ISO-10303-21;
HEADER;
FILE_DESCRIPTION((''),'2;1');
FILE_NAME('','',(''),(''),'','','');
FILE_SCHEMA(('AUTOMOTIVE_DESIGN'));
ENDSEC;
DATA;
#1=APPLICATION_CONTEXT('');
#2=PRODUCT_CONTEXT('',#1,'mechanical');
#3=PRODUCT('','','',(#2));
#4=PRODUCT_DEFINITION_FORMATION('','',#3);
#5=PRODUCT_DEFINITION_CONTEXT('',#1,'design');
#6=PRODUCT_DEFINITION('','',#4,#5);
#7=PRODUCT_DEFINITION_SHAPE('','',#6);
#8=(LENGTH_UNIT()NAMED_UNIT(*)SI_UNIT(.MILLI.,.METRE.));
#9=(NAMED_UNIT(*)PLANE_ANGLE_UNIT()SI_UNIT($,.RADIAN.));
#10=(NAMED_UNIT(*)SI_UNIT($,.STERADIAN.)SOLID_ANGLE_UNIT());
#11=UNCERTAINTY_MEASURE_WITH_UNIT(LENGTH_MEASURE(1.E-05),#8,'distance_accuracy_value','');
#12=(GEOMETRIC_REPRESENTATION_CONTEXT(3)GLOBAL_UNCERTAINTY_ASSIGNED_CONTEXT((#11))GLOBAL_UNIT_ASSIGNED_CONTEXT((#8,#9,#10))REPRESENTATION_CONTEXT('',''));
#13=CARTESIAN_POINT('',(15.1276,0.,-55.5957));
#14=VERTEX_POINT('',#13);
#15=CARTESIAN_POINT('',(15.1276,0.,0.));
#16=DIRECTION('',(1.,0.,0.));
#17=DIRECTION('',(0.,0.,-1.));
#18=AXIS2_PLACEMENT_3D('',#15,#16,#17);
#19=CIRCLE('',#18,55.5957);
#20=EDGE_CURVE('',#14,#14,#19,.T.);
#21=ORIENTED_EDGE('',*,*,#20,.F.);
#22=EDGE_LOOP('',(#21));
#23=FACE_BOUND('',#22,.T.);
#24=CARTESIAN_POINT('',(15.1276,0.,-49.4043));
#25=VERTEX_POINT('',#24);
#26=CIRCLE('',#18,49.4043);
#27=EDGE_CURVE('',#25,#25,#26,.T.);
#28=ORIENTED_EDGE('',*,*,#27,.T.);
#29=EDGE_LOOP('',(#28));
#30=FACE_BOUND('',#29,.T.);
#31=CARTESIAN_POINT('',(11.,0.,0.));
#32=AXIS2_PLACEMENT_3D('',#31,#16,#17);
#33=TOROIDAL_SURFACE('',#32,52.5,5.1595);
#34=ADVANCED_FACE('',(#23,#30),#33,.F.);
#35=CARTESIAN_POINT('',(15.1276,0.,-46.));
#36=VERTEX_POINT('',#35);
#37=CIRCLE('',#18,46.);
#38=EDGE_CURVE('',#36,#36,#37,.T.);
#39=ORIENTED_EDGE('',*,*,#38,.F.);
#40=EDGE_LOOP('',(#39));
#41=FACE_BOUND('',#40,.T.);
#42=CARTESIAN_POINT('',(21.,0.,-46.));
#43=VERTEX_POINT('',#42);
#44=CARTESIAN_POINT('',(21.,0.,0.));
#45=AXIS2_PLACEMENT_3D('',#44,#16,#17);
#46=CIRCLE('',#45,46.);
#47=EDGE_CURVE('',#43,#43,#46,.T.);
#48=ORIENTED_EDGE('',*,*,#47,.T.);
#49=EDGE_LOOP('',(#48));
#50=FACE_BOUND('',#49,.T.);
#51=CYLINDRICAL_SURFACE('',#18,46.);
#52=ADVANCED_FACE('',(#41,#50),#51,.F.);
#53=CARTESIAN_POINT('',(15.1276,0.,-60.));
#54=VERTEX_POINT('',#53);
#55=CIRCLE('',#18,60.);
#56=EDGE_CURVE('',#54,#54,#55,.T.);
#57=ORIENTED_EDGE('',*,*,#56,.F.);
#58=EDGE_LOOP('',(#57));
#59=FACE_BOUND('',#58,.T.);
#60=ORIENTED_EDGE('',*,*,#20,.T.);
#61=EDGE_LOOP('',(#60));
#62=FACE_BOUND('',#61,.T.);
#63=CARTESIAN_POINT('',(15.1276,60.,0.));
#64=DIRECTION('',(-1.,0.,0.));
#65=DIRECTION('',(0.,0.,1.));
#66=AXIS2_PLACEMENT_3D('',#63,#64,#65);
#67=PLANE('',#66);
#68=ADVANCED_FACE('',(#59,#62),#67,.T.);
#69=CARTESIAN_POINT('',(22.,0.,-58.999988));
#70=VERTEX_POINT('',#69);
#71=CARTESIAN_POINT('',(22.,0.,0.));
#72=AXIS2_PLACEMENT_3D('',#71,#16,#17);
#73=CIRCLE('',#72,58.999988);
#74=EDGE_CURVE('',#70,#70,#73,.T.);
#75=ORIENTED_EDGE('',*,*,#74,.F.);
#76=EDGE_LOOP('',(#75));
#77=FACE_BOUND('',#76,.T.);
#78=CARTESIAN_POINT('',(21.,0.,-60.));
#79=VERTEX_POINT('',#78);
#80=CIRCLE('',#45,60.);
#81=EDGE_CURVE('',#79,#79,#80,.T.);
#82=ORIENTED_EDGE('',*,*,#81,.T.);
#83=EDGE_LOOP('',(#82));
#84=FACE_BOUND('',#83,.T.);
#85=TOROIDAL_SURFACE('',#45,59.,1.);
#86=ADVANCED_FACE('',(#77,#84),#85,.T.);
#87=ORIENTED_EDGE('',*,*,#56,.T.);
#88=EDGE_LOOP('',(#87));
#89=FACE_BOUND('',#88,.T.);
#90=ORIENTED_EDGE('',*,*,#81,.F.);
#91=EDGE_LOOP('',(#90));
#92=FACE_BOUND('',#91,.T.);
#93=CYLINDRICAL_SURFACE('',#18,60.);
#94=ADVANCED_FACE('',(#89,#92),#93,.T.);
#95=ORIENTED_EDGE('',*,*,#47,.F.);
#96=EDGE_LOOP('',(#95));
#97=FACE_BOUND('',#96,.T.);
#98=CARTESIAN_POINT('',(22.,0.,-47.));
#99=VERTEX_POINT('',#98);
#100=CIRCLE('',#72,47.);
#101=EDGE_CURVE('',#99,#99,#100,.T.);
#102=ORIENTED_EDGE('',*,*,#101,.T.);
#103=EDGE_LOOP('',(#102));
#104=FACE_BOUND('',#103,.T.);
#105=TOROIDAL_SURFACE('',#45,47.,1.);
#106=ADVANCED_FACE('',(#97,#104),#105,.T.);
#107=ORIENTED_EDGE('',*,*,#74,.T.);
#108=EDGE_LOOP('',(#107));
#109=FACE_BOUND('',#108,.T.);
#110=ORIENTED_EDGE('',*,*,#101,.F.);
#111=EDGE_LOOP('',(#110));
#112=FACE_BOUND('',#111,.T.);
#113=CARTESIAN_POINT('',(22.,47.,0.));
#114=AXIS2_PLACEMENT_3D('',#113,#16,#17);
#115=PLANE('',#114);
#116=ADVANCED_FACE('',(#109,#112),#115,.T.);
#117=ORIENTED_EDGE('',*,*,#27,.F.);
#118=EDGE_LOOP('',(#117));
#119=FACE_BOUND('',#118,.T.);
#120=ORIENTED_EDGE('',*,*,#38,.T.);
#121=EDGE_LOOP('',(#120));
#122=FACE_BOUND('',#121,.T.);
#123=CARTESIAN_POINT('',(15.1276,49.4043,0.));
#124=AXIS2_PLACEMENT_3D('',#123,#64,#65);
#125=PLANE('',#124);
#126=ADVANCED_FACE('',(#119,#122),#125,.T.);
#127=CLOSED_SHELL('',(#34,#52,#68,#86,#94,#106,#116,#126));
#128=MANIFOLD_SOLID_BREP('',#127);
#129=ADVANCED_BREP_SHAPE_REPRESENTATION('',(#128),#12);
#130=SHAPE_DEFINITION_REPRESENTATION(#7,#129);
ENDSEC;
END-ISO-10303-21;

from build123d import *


with BuildPart() as part:
    # Sketch1 → Revolve1 (revolve)
    with BuildSketch(Plane.XY, mode=Mode.PRIVATE) as revolve1_sk:
        with BuildLine():
            Line((15.1276, 60), (15.1276, 55.5957))
            ThreePointArc((15.1276, 55.5957), (16.1595, 52.5), (15.1276, 49.4043))
            Line((15.1276, 49.4043), (15.1276, 46))
            Line((15.1276, 46), (21, 46))
            ThreePointArc((21, 46), (21.707106781, 46.292893219), (22, 47))
            Line((22, 47), (22, 58.99998846))
            ThreePointArc((22, 58.99998846), (21.707110861, 59.707102701), (21, 60))
            Line((21, 60), (15.1276, 60))
        make_face()
    revolve(revolve1_sk.sketch.rotate(Axis((15.1276, 0, 0), (1, 0, 0)), 270), axis=Axis((15.1276, 0, 0), (1, 0, 0)))


solid = part.part
